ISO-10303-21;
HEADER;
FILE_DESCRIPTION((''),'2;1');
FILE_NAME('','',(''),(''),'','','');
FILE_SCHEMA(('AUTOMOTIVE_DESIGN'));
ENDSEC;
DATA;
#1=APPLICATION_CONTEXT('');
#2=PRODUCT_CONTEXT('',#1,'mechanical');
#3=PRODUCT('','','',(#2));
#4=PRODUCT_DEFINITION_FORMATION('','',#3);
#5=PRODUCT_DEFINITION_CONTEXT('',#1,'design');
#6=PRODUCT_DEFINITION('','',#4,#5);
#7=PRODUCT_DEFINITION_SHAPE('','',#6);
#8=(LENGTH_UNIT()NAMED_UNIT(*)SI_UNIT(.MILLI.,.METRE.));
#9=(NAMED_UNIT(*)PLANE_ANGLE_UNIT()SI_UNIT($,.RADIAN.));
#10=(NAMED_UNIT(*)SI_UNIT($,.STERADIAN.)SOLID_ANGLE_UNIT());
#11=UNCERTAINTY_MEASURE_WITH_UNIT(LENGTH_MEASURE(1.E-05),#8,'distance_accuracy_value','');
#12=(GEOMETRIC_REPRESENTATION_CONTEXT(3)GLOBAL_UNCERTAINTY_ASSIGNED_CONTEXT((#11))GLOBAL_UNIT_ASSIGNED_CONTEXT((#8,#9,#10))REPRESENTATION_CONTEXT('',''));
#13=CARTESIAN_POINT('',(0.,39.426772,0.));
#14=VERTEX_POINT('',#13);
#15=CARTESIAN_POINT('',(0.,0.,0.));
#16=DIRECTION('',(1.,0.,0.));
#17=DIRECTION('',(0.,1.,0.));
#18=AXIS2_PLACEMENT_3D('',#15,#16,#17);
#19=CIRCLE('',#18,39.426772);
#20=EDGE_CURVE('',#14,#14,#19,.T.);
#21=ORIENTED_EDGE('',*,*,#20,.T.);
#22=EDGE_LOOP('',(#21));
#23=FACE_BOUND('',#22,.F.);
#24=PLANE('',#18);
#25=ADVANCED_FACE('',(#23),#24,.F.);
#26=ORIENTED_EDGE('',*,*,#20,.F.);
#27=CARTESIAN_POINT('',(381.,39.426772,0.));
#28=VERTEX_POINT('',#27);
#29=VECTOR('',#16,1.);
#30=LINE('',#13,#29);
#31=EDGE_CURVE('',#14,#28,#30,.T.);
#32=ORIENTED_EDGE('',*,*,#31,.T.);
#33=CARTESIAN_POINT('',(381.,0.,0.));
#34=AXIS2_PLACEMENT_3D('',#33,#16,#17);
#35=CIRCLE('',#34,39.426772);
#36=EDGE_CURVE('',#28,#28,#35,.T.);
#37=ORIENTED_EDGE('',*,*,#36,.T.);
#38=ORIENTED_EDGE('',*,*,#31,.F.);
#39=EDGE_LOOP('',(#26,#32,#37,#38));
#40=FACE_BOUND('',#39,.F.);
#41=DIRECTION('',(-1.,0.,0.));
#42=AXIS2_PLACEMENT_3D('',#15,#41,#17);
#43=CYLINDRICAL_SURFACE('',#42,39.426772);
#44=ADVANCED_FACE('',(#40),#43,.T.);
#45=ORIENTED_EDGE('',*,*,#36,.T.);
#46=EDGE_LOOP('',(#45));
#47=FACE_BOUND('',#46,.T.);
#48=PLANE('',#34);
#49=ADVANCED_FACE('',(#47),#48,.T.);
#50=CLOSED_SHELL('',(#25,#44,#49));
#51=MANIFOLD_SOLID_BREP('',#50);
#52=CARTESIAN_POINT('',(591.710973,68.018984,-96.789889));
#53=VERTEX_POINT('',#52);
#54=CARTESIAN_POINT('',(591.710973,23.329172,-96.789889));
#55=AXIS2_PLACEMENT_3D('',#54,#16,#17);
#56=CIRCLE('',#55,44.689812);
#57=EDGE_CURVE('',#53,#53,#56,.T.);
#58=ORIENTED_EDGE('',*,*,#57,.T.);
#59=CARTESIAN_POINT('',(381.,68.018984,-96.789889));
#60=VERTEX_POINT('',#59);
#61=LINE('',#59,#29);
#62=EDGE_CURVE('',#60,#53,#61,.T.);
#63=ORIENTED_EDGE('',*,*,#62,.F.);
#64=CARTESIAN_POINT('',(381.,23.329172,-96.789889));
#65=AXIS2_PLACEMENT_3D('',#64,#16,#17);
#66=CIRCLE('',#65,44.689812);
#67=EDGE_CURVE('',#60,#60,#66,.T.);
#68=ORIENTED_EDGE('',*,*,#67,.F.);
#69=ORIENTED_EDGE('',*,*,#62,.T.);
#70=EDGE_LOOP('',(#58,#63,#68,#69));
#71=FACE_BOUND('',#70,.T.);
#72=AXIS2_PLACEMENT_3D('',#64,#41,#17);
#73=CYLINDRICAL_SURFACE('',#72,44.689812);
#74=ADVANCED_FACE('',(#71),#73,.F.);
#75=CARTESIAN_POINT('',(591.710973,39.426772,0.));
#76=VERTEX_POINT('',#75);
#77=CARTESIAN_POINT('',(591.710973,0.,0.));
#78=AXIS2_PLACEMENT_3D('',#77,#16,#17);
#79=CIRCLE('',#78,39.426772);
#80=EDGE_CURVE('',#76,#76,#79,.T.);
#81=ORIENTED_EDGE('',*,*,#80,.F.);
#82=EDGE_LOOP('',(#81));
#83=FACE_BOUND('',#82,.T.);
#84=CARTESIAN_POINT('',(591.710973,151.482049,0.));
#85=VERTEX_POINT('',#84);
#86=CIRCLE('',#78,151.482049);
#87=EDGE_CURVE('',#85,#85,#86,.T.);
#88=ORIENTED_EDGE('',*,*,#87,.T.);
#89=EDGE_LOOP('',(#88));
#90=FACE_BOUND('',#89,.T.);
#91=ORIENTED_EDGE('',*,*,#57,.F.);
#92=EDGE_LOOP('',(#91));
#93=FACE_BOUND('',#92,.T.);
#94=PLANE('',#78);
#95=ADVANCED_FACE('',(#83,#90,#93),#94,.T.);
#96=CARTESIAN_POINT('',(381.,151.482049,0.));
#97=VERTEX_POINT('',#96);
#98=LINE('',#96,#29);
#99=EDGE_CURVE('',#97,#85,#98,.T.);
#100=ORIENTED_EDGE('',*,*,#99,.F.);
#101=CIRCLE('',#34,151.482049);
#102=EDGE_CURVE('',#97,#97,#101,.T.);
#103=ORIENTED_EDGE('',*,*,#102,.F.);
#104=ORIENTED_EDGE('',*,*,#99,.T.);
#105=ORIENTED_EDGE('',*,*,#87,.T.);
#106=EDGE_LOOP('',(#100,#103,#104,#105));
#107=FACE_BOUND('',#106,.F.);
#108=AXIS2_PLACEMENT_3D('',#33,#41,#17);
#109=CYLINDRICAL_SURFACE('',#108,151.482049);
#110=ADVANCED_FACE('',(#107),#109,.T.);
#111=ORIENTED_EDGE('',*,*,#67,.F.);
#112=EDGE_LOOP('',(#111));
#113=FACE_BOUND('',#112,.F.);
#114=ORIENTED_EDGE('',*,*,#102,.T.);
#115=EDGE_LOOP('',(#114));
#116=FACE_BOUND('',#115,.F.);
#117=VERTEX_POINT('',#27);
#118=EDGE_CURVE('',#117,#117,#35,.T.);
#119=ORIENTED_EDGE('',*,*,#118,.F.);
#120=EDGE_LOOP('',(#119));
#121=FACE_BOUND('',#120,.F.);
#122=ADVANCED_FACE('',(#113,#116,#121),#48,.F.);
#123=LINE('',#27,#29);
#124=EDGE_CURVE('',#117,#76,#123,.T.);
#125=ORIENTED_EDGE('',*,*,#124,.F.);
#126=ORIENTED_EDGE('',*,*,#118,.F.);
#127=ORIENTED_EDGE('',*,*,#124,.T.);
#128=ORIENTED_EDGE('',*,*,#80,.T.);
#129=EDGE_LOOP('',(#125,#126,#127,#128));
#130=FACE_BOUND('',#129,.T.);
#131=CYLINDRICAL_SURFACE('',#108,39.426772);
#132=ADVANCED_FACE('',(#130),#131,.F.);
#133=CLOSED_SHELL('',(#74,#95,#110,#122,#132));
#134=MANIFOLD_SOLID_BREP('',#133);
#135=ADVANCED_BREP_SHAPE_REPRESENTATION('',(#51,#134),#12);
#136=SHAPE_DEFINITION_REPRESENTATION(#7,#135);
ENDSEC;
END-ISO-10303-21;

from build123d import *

# Parameters (mm, degrees)
F0_R     = 39.426772
F1_DEPTH = 381
F2_R     = 151.482049
F2_R_2   = 44.689812
F2_R_3   = 39.426772
F3_DEPTH = 210.710973


with BuildPart() as f1:
    # F0 (on Right) → F1 (new body)
    with BuildSketch(Plane.YZ):
        Circle(F0_R)
    extrude(amount=F1_DEPTH)


with BuildPart() as f3:
    # F2 (on face) → F3 (new body)
    with BuildSketch(Plane.YZ.offset(381)):
        Circle(F2_R)
        with Locations((23.329172, -96.789889)):
            Circle(F2_R_2, mode=Mode.SUBTRACT)
        Circle(F2_R_3, mode=Mode.SUBTRACT)
    extrude(amount=F3_DEPTH)


solid = Compound([f1.part, f3.part])
